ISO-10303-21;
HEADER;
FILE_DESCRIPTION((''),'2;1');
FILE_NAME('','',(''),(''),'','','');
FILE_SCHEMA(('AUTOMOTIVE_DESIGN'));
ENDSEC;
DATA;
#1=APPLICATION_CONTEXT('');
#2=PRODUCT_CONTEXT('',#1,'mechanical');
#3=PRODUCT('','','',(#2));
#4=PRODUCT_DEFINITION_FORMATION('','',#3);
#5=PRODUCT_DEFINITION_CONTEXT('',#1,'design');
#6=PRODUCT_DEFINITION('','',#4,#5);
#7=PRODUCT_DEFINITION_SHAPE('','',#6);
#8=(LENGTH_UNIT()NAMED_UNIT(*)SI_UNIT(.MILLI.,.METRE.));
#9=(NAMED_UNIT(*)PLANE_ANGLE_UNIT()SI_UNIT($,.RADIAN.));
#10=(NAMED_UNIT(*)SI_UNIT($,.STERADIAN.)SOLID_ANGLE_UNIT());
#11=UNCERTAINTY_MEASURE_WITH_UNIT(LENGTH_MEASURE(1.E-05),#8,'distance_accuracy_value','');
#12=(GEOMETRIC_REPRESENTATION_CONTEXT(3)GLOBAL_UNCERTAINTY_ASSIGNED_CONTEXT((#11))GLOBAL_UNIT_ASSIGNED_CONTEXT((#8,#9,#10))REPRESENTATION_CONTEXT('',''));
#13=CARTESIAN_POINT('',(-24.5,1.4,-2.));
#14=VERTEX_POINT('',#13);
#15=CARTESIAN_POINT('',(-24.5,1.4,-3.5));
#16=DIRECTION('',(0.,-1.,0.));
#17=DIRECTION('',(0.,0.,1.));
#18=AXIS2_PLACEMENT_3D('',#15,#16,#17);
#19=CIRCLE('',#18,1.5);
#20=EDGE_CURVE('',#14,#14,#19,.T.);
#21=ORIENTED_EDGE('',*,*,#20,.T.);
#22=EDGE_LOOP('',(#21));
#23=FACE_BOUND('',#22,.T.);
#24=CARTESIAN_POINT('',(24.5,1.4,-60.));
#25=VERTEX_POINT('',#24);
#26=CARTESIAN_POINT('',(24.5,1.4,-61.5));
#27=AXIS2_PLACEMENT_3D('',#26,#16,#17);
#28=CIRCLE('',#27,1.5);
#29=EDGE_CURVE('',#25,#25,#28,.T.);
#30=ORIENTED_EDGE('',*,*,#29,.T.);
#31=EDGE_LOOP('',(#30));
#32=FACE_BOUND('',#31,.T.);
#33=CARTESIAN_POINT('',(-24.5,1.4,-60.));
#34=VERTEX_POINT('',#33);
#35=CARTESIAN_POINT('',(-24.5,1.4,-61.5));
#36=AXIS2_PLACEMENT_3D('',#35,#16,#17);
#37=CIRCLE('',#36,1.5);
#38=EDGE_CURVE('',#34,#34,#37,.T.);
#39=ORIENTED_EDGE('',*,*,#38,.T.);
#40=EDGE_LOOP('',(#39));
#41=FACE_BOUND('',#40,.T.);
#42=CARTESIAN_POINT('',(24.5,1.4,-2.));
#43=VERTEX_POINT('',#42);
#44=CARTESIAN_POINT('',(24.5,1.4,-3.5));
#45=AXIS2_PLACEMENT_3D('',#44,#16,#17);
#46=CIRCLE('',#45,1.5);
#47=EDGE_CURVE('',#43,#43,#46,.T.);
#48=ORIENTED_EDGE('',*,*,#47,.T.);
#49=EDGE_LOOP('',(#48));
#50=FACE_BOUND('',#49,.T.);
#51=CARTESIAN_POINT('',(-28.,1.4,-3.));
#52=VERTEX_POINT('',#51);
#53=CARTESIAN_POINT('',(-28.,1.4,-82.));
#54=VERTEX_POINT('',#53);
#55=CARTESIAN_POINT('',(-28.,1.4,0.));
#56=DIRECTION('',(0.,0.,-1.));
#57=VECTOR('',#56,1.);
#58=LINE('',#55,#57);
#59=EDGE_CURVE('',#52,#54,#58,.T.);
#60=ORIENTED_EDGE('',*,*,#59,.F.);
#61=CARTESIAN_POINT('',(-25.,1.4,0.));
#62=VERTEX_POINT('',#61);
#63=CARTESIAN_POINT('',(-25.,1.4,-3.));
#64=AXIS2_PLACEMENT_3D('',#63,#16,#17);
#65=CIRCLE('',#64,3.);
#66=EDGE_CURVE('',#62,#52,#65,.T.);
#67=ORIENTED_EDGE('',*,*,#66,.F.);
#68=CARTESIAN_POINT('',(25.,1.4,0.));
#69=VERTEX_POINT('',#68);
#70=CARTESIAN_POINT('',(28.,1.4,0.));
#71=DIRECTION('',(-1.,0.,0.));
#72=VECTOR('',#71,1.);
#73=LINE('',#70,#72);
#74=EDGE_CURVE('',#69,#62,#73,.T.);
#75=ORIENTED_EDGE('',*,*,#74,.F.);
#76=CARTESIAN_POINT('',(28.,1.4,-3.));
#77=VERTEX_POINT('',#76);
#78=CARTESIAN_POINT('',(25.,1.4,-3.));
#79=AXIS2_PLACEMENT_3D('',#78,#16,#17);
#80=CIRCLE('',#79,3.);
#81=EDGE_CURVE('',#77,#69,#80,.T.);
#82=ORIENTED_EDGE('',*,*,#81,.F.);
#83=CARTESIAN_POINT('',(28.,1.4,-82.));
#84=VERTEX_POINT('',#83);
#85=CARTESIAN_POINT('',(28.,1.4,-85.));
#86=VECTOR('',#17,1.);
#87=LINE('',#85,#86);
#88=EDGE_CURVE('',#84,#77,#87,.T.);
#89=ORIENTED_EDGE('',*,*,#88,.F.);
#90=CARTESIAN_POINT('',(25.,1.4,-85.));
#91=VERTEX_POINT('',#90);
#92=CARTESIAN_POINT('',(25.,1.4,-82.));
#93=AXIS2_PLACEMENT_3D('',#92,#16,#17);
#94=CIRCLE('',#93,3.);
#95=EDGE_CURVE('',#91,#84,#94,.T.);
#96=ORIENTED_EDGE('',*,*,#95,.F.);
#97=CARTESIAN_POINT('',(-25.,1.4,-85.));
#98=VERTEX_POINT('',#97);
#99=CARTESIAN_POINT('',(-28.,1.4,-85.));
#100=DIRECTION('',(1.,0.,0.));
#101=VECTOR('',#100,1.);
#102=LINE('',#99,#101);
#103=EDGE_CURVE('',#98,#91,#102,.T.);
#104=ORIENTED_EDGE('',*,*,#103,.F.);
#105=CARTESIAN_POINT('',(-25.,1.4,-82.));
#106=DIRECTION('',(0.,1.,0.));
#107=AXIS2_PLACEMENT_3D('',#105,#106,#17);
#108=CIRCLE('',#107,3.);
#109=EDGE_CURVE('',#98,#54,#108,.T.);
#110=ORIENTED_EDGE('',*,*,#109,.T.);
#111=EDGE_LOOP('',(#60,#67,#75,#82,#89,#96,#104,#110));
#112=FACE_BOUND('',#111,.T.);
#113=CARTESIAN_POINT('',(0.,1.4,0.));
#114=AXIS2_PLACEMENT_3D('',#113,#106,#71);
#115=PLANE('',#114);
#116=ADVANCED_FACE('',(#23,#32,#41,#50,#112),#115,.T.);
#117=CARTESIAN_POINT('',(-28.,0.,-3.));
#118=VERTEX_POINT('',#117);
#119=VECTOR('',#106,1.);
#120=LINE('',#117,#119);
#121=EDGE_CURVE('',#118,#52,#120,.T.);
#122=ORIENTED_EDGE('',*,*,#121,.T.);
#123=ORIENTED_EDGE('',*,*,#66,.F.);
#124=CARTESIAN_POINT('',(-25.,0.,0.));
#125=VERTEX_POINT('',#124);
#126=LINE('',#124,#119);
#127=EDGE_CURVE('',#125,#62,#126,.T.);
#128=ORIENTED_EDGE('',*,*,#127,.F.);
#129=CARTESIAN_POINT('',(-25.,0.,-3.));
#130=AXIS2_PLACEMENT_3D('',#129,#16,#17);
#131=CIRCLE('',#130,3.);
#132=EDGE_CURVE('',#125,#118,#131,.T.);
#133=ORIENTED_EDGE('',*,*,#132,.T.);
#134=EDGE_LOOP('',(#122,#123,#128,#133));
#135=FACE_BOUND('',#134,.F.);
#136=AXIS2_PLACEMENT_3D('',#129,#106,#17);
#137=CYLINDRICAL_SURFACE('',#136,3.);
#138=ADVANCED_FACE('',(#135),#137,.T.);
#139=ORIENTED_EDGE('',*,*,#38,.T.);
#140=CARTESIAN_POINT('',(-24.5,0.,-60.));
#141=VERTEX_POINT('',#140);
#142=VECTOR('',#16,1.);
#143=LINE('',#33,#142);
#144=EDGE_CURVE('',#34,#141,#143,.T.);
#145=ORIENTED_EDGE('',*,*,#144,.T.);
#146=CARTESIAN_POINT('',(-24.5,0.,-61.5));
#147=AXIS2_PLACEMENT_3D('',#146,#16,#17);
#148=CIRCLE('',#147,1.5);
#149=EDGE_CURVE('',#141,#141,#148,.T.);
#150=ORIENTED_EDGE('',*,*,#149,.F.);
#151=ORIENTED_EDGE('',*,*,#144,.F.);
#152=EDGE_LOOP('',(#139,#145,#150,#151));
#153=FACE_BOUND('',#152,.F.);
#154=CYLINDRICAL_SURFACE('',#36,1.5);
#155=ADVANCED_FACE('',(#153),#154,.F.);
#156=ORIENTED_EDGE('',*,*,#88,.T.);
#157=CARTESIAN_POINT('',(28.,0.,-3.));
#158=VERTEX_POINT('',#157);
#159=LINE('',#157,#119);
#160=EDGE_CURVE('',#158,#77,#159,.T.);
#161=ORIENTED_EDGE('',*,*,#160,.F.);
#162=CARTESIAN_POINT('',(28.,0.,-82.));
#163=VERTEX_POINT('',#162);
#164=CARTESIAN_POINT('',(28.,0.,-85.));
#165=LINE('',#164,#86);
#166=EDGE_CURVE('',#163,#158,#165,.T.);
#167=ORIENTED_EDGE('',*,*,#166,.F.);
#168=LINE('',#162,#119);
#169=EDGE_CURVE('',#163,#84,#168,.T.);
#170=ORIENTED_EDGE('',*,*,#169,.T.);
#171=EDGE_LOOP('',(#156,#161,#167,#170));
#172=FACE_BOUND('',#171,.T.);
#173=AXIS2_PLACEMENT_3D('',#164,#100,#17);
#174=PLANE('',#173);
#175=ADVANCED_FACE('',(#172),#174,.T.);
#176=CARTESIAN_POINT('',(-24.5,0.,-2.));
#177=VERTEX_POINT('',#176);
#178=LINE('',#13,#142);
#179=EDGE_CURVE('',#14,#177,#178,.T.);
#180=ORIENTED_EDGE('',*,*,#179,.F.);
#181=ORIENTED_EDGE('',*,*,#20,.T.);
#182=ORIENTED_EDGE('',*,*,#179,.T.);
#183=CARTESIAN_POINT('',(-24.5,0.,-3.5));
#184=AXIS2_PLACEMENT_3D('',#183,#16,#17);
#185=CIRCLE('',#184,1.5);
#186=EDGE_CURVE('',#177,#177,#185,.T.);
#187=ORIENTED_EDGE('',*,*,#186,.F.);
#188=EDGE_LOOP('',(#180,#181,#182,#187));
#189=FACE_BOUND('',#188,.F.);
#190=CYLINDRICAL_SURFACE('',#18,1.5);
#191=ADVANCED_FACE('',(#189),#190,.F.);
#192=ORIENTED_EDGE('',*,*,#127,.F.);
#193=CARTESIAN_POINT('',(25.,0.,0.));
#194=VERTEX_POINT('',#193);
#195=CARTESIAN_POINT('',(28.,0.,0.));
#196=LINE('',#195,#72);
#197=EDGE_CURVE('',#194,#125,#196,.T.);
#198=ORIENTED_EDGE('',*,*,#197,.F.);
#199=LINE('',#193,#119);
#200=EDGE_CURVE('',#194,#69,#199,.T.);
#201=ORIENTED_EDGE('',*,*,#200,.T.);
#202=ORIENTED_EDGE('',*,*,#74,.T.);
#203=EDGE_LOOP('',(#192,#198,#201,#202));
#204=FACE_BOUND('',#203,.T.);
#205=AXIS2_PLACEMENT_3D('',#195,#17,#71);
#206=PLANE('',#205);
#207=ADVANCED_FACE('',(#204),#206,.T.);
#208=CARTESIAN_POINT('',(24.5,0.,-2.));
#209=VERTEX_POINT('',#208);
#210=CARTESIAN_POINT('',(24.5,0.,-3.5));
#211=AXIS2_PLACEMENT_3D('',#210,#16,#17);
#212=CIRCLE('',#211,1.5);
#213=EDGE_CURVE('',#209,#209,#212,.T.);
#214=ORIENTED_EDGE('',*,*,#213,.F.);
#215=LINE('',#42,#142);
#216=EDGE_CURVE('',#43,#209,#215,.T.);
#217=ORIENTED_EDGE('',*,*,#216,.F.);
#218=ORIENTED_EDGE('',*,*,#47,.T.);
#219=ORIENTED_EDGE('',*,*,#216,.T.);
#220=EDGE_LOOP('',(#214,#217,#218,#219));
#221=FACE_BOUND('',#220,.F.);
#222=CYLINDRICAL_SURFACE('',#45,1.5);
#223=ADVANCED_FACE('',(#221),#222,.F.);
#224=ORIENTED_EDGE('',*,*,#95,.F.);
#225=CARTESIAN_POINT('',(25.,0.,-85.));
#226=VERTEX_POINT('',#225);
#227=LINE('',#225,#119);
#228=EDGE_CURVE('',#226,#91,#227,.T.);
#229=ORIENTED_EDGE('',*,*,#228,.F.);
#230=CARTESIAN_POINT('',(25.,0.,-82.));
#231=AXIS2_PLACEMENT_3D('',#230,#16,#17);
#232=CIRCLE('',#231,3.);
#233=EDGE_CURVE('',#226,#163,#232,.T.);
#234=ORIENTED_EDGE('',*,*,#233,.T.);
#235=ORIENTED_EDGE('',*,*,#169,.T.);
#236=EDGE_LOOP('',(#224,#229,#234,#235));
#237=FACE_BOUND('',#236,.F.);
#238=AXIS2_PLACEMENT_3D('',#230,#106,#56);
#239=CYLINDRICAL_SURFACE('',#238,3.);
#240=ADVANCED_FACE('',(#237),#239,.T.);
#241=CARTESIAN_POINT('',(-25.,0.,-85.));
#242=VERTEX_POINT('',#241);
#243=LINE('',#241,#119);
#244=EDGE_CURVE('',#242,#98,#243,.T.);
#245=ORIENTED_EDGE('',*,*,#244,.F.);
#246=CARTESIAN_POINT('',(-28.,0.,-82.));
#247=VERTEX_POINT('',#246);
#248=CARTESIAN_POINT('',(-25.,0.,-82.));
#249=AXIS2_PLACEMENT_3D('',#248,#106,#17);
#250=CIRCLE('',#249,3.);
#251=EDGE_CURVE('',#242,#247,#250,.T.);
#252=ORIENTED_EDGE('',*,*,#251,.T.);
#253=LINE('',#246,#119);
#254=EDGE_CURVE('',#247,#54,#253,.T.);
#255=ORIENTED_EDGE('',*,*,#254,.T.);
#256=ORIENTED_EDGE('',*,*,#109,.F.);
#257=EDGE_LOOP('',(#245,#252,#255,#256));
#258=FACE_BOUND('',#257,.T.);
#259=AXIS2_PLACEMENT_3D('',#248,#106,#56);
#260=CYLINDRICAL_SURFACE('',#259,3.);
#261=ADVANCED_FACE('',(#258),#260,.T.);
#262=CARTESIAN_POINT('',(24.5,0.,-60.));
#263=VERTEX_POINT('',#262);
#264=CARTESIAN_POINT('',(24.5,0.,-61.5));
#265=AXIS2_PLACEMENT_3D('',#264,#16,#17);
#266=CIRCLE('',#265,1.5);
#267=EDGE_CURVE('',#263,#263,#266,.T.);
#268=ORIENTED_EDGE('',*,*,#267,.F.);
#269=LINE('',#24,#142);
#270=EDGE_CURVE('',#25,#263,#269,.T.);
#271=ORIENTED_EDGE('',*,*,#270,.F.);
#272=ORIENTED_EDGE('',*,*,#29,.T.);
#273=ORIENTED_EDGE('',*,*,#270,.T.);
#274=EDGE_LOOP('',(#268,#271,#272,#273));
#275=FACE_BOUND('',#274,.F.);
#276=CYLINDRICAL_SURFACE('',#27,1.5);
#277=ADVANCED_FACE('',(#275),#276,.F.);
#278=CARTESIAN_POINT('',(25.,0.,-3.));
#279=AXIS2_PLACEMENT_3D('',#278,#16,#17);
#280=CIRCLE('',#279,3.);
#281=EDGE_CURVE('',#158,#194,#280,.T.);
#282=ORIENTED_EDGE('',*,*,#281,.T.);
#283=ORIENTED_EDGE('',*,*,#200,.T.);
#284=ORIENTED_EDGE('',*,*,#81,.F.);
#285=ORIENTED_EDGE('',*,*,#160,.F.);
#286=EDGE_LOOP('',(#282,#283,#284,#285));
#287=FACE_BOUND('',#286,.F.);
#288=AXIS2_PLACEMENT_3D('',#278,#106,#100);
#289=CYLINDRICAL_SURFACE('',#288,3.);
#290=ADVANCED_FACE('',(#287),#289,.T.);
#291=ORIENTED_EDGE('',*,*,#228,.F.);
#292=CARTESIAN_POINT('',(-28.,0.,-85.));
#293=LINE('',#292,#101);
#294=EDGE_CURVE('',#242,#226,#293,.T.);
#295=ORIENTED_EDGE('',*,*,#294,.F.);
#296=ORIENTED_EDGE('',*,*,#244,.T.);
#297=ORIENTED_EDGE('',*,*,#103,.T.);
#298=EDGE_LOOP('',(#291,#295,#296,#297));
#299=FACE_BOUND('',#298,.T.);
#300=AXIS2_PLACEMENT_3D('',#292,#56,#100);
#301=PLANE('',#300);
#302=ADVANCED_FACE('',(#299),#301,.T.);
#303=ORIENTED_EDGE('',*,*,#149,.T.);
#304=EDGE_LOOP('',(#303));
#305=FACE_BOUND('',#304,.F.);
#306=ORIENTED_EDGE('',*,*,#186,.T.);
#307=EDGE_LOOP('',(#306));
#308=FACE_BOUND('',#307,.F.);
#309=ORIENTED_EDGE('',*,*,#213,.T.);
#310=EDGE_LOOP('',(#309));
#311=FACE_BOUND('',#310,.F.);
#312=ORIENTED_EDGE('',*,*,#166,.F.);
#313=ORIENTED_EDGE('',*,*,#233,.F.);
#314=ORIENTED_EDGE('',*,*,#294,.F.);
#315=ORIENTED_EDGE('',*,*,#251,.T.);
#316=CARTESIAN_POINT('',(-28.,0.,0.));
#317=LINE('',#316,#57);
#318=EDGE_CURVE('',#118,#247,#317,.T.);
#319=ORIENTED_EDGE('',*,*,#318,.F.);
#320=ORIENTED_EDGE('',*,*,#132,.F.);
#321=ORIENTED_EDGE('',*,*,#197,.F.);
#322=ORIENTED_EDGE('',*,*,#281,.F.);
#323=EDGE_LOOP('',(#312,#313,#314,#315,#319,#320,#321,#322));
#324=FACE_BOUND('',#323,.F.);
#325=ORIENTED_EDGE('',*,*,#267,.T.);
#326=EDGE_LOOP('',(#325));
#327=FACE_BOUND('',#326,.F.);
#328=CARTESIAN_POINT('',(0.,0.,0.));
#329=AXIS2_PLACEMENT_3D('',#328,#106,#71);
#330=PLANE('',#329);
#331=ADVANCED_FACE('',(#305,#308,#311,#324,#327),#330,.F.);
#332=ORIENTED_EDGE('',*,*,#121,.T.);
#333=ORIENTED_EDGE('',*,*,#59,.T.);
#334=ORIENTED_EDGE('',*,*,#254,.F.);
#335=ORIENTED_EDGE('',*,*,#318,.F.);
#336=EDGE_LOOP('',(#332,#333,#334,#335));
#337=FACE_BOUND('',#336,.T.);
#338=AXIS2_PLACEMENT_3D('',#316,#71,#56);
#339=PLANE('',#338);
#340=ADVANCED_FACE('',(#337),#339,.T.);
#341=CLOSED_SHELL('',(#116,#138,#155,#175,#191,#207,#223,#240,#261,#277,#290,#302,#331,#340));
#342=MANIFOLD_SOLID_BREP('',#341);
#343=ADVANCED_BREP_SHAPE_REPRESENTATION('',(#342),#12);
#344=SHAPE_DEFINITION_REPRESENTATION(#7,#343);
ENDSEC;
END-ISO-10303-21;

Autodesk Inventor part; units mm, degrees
ref_plane "YZ Plane" through (0, 0, 0) normal (1, 0, 0) x (0, 1, 0)
ref_plane "XZ Plane" through (0, 0, 0) normal (0, 1, 0) x (-1, 0, 0)
ref_plane "XY Plane" through (0, 0, 0) normal (0, 0, 1) x (1, 0, 0)
sketch "Sketch1" plane through (0, 0, 0) normal (0, 1, 0) x (-1, 0, 0)
  line L0 (28, -85) -> (-28, -85)
  line L1 (-28, -85) -> (-28, 0)
  line L2 (-28, 0) -> (28, 0)
  line L3 (28, 0) -> (28, -85)
  point P0 (0, 0)
  point P1 (0, 0)
  dimension "d0" = 85
  dimension "d1" = 56
extrude "Extrusion1" add sketch "Sketch1" along normal blind 1.4
fillet "Fillet1" radius 3 4 edges at (-28, 0.7, 0) (28, 0.7, 0) (28, 0.7, -85) (-28, 0.7, -85)
sketch "Sketch2" plane through (0, 1.4, 0) normal (0, 1, 0) x (1, 0, 0)
  line L0 (-24.5, 61.5) -> (24.5, 61.5) construction
  line L1 (24.5, 61.5) -> (24.5, 3.5) construction
  line L2 (24.5, 3.5) -> (-24.5, 3.5) construction
  line L3 (-24.5, 3.5) -> (-24.5, 61.5) construction
  line L4 (-28, 82) -> (-28, 3) construction
  line L5 (-25, 0) -> (25, 0) construction
  point P0 (0, 0)
  dimension "d5" = 49
  dimension "d6" = 58
  dimension "d7" = 3.5
  dimension "d8" = 3.5
hole "Hole1" at (-24.5, 1.4, -61.5) at (24.5, 1.4, -61.5) at (24.5, 1.4, -3.5) at (-24.5, 1.4, -3.5) direction (0, -1, 0) diameter 3 depth 6
properties part number "raspberry pi"
